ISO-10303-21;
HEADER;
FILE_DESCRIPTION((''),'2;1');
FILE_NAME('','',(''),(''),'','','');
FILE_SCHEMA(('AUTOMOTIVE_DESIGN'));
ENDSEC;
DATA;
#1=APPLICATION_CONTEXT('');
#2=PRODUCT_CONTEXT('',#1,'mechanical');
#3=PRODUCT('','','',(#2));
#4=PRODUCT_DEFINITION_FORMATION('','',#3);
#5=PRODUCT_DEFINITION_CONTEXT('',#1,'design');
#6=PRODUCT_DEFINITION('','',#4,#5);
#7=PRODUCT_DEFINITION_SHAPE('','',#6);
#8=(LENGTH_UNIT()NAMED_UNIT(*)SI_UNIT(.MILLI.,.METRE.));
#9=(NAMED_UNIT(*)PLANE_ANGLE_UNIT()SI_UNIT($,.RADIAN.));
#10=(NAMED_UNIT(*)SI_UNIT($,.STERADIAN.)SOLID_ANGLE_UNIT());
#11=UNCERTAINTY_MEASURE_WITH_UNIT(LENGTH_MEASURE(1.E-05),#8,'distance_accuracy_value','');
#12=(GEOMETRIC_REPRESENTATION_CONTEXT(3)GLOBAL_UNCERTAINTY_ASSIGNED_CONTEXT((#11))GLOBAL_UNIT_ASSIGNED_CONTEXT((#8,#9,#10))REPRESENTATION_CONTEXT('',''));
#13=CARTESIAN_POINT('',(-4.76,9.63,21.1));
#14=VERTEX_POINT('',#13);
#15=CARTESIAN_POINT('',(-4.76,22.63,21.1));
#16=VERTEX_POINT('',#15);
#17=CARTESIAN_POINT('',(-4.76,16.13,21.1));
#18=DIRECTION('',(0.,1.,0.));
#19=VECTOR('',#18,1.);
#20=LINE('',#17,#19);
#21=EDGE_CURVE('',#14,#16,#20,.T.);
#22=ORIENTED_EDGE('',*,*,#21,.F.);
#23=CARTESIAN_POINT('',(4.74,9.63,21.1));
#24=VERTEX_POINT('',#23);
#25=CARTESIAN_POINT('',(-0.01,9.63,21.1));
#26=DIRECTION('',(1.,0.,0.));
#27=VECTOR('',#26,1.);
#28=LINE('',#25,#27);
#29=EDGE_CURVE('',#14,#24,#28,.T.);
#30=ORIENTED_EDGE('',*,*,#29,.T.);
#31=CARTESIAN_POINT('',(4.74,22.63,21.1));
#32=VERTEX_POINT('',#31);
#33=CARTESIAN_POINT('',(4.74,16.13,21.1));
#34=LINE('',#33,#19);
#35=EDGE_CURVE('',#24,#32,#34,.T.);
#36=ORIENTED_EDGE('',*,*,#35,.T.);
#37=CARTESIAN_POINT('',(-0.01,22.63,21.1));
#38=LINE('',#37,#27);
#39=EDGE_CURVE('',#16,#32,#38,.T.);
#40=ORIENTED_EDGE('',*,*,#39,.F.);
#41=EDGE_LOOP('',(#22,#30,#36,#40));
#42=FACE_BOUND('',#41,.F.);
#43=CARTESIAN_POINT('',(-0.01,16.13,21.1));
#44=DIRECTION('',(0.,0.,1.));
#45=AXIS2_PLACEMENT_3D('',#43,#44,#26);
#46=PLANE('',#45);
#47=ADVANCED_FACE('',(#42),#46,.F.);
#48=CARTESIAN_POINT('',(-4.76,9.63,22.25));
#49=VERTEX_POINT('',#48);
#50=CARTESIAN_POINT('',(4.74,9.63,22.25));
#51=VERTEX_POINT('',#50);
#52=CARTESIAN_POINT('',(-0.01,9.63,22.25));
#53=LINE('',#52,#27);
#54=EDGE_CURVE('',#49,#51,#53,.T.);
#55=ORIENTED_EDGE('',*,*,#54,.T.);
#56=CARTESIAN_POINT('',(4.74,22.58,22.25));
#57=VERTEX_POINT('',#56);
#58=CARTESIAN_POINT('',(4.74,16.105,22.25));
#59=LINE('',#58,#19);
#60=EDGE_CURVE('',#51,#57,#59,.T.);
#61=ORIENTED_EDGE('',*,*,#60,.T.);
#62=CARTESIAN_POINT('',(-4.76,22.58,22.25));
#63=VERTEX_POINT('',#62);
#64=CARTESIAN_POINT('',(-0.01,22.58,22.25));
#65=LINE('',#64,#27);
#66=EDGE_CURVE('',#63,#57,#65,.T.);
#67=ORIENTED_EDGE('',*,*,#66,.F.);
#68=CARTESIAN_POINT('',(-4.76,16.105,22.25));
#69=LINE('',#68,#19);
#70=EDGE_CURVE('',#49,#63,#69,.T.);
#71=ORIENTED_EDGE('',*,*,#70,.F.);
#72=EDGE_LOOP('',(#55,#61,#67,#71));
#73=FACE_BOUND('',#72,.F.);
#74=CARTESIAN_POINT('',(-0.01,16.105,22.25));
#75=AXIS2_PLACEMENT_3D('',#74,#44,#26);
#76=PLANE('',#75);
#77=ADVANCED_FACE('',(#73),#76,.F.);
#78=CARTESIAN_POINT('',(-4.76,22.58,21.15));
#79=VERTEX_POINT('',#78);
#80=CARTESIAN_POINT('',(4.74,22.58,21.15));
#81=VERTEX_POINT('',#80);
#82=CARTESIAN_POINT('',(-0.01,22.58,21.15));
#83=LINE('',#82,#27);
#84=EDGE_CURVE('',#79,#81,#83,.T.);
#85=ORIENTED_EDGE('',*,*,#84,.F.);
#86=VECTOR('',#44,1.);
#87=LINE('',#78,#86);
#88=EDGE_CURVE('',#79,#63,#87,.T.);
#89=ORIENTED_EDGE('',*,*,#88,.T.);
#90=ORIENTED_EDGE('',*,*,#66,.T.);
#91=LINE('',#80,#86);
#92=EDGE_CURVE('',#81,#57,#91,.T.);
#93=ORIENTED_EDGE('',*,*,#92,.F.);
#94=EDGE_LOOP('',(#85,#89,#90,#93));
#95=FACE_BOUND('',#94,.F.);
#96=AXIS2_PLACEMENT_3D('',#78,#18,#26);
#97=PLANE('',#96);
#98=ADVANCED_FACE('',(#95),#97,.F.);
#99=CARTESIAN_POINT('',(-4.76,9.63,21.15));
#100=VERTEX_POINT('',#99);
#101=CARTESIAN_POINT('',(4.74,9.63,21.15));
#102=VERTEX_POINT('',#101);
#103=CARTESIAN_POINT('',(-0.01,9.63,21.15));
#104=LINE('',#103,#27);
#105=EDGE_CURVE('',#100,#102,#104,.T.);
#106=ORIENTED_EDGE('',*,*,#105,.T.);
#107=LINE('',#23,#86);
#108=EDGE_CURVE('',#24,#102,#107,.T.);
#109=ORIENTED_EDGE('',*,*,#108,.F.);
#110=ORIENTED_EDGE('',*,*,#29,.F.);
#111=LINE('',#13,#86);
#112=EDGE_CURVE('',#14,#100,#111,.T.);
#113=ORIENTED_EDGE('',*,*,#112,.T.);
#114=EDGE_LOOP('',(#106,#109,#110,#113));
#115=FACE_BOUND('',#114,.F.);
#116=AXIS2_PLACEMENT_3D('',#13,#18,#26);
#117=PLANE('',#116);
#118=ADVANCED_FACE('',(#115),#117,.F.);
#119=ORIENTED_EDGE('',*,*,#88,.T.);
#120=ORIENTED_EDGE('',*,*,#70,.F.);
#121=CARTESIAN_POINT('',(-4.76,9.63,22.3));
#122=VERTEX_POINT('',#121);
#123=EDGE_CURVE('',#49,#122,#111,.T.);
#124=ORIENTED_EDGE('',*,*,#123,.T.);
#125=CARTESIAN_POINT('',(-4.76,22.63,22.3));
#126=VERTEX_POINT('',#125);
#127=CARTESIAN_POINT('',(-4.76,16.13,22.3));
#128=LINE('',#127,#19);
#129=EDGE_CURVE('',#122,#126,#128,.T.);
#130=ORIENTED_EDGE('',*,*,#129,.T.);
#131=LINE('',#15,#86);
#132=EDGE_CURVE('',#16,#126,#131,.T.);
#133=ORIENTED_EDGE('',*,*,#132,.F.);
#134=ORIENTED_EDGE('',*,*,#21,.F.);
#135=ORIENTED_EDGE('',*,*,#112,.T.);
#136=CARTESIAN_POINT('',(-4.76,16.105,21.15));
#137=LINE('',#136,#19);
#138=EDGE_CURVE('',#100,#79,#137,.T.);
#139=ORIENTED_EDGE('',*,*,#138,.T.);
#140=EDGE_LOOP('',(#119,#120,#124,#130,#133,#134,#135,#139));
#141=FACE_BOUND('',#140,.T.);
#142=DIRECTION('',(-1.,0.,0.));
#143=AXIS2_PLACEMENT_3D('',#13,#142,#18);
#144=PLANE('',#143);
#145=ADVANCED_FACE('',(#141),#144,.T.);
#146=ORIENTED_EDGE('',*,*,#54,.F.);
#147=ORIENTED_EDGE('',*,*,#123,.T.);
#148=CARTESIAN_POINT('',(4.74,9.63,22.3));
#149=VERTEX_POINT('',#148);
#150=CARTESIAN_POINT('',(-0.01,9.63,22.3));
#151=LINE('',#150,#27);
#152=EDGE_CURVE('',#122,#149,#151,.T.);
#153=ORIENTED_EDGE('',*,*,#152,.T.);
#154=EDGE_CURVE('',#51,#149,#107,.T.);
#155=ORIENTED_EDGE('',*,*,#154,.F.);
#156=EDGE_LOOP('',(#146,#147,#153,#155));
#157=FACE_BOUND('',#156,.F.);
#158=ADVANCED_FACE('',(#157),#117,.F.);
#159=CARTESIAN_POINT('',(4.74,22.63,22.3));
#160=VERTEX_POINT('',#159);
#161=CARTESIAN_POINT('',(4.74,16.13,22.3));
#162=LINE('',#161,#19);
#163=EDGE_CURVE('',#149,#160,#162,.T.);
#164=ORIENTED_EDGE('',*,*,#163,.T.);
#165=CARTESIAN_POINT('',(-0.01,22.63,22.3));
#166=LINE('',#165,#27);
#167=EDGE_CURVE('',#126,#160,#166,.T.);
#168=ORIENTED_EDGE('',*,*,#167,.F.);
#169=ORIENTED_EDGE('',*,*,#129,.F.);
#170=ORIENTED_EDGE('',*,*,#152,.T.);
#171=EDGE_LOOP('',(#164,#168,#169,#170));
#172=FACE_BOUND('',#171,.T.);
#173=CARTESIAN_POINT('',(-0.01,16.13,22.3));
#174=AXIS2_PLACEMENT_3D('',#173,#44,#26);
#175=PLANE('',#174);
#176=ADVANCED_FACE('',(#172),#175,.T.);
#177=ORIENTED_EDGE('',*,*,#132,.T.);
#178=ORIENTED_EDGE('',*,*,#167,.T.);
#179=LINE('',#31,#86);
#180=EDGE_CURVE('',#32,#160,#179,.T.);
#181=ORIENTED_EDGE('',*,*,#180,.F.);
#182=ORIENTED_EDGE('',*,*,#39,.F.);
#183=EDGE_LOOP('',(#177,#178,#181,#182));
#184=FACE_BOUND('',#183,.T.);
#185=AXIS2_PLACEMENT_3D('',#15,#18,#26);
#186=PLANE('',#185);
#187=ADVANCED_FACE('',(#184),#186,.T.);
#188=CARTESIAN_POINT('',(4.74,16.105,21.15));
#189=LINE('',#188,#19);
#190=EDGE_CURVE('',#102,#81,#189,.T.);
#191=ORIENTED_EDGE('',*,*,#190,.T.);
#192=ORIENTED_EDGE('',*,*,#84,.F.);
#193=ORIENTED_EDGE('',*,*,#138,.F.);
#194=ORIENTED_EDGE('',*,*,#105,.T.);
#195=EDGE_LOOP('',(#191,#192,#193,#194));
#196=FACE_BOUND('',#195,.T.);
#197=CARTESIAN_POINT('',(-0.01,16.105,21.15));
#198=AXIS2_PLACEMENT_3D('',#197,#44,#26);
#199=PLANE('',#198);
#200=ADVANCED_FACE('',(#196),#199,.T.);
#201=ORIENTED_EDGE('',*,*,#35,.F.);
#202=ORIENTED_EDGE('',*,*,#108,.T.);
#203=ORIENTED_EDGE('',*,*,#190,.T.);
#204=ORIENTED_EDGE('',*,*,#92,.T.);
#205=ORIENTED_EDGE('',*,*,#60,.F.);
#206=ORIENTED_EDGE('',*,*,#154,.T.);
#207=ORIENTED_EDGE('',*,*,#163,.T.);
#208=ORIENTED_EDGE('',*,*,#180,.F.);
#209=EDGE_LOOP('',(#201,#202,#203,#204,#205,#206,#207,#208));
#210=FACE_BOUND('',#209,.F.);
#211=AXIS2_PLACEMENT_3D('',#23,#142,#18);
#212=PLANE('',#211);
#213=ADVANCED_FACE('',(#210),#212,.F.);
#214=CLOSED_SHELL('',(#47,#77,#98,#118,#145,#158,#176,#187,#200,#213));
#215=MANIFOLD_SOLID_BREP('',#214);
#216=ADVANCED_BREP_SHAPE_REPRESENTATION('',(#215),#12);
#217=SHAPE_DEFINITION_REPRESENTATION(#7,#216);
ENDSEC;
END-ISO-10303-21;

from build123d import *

# Parameters (mm, degrees)
BOX081_W     = 9.5
BOX081_H     = 12.95
BOX081_DEPTH = 1.1
BOX080_W     = 9.5
BOX080_H     = 13
BOX080_DEPTH = 1.2


with BuildPart() as small_cu_gnd_electrode026:
    # Box081 → Box081 (new body)
    with BuildSketch(Plane.XY.offset(0.05)):
        with Locations((4.75, 6.475)):
            Rectangle(BOX081_W, BOX081_H)
    extrude(amount=BOX081_DEPTH)


with BuildPart() as large_cu_electrode_long_axis_v_y:
    # Box080 → Box080 (new body)
    with BuildSketch(Plane.XY):
        with Locations((4.75, 6.5)):
            Rectangle(BOX080_W, BOX080_H)
    extrude(amount=BOX080_DEPTH)

    # Cut026: cut Small Cu GND Electrode026
    add(small_cu_gnd_electrode026.part, mode=Mode.SUBTRACT)


with BuildPart() as large_cu_electrode_long_axis_v_y_1:
    # Cut026 placement: moved
    add(large_cu_electrode_long_axis_v_y.part.moved(Location((-4.76, 9.63, 21.1))))


solid = large_cu_electrode_long_axis_v_y_1.part
